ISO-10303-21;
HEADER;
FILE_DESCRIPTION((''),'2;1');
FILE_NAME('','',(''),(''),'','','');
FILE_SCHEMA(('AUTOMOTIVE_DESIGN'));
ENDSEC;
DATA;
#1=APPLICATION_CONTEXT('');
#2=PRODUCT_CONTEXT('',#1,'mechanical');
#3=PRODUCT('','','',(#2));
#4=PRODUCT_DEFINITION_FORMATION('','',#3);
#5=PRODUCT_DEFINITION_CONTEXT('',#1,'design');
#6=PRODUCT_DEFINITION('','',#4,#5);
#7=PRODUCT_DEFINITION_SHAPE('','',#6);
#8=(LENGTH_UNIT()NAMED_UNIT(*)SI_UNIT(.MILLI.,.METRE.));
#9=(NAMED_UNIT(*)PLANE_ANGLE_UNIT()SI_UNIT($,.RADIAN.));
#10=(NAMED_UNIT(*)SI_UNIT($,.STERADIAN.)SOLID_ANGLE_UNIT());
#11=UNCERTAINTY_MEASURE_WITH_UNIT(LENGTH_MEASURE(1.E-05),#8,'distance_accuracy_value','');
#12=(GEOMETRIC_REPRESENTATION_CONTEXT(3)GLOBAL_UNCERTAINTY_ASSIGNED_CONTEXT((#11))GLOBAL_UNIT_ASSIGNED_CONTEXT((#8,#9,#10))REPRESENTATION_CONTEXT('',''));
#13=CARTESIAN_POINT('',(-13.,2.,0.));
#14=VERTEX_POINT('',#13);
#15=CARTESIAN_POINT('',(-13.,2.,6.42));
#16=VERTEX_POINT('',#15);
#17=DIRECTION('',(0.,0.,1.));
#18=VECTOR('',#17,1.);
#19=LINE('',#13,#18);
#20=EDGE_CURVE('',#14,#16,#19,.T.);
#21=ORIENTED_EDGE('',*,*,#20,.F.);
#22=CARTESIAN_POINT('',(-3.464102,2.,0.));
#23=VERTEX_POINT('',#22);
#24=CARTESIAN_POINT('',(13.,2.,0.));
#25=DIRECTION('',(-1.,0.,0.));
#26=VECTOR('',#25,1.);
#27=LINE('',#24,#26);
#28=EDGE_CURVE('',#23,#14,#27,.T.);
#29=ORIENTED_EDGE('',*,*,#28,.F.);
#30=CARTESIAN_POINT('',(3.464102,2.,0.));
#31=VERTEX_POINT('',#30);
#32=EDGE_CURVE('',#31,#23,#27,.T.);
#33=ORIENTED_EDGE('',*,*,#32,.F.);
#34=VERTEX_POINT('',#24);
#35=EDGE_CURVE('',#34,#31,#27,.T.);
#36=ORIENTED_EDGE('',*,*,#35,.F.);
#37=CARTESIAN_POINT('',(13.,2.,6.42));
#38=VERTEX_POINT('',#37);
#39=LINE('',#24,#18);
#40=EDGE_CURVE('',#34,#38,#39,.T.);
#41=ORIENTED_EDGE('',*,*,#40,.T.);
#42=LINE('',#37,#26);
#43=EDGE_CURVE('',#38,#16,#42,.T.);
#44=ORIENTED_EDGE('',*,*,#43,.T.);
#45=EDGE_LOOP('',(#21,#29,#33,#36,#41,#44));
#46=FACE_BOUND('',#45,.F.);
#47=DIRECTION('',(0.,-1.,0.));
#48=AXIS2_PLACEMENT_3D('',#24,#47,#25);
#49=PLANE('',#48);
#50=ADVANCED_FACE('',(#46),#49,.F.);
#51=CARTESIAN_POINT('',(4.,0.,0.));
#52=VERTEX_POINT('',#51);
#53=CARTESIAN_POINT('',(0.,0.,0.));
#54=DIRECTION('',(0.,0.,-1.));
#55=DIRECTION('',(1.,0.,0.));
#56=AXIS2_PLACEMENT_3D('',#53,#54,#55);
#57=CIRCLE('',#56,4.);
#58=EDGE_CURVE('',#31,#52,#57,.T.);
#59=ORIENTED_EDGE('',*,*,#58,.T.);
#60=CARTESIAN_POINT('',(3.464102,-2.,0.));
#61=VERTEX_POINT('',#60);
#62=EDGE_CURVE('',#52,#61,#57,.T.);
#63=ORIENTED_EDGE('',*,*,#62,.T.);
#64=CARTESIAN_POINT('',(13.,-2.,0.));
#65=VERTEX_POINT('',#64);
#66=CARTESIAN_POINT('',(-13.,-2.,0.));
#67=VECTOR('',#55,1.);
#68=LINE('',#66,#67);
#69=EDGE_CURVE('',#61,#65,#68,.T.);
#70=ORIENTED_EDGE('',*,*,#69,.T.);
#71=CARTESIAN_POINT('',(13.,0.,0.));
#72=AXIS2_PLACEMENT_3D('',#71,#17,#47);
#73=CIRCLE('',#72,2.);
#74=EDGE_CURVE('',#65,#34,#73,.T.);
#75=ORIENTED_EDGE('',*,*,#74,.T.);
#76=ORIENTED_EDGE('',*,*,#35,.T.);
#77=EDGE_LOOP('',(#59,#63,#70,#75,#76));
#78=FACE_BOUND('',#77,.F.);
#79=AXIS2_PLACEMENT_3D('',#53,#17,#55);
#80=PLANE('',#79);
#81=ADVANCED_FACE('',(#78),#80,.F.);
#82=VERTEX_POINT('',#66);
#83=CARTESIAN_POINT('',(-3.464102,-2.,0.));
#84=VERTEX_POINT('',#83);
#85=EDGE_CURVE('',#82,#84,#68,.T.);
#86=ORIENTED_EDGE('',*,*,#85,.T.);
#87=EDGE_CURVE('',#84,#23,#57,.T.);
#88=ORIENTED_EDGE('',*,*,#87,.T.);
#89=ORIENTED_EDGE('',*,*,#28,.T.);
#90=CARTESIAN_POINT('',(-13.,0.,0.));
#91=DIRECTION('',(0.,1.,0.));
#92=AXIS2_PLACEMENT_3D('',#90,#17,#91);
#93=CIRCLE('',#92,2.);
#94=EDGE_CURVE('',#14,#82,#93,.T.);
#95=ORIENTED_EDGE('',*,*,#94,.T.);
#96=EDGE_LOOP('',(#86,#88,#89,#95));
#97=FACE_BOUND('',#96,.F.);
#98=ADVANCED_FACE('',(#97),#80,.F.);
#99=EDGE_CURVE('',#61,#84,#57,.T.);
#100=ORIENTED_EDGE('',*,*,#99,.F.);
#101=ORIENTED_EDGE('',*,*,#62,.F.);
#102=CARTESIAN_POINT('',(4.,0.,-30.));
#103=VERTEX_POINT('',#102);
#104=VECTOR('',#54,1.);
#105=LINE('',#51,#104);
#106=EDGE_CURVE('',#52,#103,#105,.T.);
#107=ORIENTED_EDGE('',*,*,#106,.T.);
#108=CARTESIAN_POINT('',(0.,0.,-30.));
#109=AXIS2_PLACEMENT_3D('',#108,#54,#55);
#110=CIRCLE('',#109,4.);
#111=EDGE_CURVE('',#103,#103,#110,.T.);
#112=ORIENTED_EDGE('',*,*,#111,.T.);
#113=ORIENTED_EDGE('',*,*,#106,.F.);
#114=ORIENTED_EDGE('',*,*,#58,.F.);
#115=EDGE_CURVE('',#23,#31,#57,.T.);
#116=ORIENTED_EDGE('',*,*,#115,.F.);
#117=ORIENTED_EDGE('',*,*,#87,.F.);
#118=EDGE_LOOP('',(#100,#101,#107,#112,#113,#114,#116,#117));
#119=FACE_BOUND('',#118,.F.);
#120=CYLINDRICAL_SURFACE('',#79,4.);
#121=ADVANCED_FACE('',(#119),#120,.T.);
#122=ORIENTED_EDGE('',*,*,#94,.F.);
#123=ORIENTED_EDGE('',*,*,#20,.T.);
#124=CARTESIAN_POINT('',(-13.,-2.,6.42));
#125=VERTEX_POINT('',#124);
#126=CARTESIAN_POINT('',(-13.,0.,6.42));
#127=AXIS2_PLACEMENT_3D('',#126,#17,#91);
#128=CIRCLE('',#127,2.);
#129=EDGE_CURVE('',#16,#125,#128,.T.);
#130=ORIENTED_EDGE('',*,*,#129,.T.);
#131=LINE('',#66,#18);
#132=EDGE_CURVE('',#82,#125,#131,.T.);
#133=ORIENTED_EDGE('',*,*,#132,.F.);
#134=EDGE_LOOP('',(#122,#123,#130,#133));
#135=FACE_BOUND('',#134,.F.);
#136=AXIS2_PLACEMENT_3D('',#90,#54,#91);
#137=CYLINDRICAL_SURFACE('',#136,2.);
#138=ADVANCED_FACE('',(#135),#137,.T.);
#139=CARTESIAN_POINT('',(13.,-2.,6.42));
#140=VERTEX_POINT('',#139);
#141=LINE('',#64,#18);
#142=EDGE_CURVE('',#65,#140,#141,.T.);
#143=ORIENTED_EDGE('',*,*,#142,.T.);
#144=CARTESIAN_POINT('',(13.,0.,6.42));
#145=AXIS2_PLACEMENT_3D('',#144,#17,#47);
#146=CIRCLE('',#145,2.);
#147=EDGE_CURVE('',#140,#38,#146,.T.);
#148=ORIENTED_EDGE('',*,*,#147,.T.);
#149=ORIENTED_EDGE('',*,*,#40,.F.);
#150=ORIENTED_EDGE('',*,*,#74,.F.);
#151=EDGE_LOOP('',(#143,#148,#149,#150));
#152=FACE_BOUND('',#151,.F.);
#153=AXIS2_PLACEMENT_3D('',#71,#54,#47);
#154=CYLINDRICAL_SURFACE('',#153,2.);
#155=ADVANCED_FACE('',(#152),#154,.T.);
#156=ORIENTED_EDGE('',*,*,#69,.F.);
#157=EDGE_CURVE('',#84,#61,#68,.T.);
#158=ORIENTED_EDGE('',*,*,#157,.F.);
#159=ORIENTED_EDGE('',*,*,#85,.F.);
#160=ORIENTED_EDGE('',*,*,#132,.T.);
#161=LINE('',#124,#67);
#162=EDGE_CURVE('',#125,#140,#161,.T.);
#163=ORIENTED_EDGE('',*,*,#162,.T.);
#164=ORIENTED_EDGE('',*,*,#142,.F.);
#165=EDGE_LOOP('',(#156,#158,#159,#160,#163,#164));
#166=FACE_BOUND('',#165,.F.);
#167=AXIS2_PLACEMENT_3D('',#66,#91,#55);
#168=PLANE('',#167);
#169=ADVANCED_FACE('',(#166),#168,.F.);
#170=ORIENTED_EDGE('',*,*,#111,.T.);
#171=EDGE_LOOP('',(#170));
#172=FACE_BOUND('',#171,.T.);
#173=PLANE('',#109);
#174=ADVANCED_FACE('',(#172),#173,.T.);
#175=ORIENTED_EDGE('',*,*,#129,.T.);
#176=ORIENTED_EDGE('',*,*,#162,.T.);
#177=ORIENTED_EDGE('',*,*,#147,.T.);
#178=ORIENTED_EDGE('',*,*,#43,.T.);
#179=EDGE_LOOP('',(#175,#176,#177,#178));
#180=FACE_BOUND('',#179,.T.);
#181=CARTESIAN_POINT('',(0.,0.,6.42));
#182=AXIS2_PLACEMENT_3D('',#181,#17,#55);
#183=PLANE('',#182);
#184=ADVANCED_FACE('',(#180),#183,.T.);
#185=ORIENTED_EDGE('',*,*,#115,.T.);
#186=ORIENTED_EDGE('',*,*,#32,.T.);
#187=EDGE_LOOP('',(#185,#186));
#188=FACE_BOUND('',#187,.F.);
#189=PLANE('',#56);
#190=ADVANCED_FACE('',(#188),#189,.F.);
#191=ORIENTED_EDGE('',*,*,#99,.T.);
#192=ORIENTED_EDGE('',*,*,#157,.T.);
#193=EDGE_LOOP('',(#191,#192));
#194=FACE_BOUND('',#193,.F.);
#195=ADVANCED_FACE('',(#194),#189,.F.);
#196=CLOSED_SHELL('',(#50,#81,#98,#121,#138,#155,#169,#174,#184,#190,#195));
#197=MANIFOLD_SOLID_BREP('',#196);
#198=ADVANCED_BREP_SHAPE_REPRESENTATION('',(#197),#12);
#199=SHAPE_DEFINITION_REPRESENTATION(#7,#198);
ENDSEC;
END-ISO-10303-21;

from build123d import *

# Parameters (mm, degrees)
F1_DEPTH = 6.42
F2_R     = 4
F3_DEPTH = 30


with BuildPart() as f1:
    # F0 (on Top) → F1 (new body)
    with BuildSketch(Plane.XY):
        with BuildLine():
            Line((13, 2), (-13, 2))
            ThreePointArc((-13, 2), (-15, 0), (-13, -2))
            Line((-13, -2), (13, -2))
            ThreePointArc((13, -2), (15, 0), (13, 2))
        make_face()
    extrude(amount=F1_DEPTH)

    # F2 (on face) → F3 (join)
    with BuildSketch(Plane(origin=(0, 0, 0), x_dir=(1, 0, 0), z_dir=(0, 0, -1))):
        Circle(F2_R)
    extrude(amount=F3_DEPTH)


solid = f1.part
